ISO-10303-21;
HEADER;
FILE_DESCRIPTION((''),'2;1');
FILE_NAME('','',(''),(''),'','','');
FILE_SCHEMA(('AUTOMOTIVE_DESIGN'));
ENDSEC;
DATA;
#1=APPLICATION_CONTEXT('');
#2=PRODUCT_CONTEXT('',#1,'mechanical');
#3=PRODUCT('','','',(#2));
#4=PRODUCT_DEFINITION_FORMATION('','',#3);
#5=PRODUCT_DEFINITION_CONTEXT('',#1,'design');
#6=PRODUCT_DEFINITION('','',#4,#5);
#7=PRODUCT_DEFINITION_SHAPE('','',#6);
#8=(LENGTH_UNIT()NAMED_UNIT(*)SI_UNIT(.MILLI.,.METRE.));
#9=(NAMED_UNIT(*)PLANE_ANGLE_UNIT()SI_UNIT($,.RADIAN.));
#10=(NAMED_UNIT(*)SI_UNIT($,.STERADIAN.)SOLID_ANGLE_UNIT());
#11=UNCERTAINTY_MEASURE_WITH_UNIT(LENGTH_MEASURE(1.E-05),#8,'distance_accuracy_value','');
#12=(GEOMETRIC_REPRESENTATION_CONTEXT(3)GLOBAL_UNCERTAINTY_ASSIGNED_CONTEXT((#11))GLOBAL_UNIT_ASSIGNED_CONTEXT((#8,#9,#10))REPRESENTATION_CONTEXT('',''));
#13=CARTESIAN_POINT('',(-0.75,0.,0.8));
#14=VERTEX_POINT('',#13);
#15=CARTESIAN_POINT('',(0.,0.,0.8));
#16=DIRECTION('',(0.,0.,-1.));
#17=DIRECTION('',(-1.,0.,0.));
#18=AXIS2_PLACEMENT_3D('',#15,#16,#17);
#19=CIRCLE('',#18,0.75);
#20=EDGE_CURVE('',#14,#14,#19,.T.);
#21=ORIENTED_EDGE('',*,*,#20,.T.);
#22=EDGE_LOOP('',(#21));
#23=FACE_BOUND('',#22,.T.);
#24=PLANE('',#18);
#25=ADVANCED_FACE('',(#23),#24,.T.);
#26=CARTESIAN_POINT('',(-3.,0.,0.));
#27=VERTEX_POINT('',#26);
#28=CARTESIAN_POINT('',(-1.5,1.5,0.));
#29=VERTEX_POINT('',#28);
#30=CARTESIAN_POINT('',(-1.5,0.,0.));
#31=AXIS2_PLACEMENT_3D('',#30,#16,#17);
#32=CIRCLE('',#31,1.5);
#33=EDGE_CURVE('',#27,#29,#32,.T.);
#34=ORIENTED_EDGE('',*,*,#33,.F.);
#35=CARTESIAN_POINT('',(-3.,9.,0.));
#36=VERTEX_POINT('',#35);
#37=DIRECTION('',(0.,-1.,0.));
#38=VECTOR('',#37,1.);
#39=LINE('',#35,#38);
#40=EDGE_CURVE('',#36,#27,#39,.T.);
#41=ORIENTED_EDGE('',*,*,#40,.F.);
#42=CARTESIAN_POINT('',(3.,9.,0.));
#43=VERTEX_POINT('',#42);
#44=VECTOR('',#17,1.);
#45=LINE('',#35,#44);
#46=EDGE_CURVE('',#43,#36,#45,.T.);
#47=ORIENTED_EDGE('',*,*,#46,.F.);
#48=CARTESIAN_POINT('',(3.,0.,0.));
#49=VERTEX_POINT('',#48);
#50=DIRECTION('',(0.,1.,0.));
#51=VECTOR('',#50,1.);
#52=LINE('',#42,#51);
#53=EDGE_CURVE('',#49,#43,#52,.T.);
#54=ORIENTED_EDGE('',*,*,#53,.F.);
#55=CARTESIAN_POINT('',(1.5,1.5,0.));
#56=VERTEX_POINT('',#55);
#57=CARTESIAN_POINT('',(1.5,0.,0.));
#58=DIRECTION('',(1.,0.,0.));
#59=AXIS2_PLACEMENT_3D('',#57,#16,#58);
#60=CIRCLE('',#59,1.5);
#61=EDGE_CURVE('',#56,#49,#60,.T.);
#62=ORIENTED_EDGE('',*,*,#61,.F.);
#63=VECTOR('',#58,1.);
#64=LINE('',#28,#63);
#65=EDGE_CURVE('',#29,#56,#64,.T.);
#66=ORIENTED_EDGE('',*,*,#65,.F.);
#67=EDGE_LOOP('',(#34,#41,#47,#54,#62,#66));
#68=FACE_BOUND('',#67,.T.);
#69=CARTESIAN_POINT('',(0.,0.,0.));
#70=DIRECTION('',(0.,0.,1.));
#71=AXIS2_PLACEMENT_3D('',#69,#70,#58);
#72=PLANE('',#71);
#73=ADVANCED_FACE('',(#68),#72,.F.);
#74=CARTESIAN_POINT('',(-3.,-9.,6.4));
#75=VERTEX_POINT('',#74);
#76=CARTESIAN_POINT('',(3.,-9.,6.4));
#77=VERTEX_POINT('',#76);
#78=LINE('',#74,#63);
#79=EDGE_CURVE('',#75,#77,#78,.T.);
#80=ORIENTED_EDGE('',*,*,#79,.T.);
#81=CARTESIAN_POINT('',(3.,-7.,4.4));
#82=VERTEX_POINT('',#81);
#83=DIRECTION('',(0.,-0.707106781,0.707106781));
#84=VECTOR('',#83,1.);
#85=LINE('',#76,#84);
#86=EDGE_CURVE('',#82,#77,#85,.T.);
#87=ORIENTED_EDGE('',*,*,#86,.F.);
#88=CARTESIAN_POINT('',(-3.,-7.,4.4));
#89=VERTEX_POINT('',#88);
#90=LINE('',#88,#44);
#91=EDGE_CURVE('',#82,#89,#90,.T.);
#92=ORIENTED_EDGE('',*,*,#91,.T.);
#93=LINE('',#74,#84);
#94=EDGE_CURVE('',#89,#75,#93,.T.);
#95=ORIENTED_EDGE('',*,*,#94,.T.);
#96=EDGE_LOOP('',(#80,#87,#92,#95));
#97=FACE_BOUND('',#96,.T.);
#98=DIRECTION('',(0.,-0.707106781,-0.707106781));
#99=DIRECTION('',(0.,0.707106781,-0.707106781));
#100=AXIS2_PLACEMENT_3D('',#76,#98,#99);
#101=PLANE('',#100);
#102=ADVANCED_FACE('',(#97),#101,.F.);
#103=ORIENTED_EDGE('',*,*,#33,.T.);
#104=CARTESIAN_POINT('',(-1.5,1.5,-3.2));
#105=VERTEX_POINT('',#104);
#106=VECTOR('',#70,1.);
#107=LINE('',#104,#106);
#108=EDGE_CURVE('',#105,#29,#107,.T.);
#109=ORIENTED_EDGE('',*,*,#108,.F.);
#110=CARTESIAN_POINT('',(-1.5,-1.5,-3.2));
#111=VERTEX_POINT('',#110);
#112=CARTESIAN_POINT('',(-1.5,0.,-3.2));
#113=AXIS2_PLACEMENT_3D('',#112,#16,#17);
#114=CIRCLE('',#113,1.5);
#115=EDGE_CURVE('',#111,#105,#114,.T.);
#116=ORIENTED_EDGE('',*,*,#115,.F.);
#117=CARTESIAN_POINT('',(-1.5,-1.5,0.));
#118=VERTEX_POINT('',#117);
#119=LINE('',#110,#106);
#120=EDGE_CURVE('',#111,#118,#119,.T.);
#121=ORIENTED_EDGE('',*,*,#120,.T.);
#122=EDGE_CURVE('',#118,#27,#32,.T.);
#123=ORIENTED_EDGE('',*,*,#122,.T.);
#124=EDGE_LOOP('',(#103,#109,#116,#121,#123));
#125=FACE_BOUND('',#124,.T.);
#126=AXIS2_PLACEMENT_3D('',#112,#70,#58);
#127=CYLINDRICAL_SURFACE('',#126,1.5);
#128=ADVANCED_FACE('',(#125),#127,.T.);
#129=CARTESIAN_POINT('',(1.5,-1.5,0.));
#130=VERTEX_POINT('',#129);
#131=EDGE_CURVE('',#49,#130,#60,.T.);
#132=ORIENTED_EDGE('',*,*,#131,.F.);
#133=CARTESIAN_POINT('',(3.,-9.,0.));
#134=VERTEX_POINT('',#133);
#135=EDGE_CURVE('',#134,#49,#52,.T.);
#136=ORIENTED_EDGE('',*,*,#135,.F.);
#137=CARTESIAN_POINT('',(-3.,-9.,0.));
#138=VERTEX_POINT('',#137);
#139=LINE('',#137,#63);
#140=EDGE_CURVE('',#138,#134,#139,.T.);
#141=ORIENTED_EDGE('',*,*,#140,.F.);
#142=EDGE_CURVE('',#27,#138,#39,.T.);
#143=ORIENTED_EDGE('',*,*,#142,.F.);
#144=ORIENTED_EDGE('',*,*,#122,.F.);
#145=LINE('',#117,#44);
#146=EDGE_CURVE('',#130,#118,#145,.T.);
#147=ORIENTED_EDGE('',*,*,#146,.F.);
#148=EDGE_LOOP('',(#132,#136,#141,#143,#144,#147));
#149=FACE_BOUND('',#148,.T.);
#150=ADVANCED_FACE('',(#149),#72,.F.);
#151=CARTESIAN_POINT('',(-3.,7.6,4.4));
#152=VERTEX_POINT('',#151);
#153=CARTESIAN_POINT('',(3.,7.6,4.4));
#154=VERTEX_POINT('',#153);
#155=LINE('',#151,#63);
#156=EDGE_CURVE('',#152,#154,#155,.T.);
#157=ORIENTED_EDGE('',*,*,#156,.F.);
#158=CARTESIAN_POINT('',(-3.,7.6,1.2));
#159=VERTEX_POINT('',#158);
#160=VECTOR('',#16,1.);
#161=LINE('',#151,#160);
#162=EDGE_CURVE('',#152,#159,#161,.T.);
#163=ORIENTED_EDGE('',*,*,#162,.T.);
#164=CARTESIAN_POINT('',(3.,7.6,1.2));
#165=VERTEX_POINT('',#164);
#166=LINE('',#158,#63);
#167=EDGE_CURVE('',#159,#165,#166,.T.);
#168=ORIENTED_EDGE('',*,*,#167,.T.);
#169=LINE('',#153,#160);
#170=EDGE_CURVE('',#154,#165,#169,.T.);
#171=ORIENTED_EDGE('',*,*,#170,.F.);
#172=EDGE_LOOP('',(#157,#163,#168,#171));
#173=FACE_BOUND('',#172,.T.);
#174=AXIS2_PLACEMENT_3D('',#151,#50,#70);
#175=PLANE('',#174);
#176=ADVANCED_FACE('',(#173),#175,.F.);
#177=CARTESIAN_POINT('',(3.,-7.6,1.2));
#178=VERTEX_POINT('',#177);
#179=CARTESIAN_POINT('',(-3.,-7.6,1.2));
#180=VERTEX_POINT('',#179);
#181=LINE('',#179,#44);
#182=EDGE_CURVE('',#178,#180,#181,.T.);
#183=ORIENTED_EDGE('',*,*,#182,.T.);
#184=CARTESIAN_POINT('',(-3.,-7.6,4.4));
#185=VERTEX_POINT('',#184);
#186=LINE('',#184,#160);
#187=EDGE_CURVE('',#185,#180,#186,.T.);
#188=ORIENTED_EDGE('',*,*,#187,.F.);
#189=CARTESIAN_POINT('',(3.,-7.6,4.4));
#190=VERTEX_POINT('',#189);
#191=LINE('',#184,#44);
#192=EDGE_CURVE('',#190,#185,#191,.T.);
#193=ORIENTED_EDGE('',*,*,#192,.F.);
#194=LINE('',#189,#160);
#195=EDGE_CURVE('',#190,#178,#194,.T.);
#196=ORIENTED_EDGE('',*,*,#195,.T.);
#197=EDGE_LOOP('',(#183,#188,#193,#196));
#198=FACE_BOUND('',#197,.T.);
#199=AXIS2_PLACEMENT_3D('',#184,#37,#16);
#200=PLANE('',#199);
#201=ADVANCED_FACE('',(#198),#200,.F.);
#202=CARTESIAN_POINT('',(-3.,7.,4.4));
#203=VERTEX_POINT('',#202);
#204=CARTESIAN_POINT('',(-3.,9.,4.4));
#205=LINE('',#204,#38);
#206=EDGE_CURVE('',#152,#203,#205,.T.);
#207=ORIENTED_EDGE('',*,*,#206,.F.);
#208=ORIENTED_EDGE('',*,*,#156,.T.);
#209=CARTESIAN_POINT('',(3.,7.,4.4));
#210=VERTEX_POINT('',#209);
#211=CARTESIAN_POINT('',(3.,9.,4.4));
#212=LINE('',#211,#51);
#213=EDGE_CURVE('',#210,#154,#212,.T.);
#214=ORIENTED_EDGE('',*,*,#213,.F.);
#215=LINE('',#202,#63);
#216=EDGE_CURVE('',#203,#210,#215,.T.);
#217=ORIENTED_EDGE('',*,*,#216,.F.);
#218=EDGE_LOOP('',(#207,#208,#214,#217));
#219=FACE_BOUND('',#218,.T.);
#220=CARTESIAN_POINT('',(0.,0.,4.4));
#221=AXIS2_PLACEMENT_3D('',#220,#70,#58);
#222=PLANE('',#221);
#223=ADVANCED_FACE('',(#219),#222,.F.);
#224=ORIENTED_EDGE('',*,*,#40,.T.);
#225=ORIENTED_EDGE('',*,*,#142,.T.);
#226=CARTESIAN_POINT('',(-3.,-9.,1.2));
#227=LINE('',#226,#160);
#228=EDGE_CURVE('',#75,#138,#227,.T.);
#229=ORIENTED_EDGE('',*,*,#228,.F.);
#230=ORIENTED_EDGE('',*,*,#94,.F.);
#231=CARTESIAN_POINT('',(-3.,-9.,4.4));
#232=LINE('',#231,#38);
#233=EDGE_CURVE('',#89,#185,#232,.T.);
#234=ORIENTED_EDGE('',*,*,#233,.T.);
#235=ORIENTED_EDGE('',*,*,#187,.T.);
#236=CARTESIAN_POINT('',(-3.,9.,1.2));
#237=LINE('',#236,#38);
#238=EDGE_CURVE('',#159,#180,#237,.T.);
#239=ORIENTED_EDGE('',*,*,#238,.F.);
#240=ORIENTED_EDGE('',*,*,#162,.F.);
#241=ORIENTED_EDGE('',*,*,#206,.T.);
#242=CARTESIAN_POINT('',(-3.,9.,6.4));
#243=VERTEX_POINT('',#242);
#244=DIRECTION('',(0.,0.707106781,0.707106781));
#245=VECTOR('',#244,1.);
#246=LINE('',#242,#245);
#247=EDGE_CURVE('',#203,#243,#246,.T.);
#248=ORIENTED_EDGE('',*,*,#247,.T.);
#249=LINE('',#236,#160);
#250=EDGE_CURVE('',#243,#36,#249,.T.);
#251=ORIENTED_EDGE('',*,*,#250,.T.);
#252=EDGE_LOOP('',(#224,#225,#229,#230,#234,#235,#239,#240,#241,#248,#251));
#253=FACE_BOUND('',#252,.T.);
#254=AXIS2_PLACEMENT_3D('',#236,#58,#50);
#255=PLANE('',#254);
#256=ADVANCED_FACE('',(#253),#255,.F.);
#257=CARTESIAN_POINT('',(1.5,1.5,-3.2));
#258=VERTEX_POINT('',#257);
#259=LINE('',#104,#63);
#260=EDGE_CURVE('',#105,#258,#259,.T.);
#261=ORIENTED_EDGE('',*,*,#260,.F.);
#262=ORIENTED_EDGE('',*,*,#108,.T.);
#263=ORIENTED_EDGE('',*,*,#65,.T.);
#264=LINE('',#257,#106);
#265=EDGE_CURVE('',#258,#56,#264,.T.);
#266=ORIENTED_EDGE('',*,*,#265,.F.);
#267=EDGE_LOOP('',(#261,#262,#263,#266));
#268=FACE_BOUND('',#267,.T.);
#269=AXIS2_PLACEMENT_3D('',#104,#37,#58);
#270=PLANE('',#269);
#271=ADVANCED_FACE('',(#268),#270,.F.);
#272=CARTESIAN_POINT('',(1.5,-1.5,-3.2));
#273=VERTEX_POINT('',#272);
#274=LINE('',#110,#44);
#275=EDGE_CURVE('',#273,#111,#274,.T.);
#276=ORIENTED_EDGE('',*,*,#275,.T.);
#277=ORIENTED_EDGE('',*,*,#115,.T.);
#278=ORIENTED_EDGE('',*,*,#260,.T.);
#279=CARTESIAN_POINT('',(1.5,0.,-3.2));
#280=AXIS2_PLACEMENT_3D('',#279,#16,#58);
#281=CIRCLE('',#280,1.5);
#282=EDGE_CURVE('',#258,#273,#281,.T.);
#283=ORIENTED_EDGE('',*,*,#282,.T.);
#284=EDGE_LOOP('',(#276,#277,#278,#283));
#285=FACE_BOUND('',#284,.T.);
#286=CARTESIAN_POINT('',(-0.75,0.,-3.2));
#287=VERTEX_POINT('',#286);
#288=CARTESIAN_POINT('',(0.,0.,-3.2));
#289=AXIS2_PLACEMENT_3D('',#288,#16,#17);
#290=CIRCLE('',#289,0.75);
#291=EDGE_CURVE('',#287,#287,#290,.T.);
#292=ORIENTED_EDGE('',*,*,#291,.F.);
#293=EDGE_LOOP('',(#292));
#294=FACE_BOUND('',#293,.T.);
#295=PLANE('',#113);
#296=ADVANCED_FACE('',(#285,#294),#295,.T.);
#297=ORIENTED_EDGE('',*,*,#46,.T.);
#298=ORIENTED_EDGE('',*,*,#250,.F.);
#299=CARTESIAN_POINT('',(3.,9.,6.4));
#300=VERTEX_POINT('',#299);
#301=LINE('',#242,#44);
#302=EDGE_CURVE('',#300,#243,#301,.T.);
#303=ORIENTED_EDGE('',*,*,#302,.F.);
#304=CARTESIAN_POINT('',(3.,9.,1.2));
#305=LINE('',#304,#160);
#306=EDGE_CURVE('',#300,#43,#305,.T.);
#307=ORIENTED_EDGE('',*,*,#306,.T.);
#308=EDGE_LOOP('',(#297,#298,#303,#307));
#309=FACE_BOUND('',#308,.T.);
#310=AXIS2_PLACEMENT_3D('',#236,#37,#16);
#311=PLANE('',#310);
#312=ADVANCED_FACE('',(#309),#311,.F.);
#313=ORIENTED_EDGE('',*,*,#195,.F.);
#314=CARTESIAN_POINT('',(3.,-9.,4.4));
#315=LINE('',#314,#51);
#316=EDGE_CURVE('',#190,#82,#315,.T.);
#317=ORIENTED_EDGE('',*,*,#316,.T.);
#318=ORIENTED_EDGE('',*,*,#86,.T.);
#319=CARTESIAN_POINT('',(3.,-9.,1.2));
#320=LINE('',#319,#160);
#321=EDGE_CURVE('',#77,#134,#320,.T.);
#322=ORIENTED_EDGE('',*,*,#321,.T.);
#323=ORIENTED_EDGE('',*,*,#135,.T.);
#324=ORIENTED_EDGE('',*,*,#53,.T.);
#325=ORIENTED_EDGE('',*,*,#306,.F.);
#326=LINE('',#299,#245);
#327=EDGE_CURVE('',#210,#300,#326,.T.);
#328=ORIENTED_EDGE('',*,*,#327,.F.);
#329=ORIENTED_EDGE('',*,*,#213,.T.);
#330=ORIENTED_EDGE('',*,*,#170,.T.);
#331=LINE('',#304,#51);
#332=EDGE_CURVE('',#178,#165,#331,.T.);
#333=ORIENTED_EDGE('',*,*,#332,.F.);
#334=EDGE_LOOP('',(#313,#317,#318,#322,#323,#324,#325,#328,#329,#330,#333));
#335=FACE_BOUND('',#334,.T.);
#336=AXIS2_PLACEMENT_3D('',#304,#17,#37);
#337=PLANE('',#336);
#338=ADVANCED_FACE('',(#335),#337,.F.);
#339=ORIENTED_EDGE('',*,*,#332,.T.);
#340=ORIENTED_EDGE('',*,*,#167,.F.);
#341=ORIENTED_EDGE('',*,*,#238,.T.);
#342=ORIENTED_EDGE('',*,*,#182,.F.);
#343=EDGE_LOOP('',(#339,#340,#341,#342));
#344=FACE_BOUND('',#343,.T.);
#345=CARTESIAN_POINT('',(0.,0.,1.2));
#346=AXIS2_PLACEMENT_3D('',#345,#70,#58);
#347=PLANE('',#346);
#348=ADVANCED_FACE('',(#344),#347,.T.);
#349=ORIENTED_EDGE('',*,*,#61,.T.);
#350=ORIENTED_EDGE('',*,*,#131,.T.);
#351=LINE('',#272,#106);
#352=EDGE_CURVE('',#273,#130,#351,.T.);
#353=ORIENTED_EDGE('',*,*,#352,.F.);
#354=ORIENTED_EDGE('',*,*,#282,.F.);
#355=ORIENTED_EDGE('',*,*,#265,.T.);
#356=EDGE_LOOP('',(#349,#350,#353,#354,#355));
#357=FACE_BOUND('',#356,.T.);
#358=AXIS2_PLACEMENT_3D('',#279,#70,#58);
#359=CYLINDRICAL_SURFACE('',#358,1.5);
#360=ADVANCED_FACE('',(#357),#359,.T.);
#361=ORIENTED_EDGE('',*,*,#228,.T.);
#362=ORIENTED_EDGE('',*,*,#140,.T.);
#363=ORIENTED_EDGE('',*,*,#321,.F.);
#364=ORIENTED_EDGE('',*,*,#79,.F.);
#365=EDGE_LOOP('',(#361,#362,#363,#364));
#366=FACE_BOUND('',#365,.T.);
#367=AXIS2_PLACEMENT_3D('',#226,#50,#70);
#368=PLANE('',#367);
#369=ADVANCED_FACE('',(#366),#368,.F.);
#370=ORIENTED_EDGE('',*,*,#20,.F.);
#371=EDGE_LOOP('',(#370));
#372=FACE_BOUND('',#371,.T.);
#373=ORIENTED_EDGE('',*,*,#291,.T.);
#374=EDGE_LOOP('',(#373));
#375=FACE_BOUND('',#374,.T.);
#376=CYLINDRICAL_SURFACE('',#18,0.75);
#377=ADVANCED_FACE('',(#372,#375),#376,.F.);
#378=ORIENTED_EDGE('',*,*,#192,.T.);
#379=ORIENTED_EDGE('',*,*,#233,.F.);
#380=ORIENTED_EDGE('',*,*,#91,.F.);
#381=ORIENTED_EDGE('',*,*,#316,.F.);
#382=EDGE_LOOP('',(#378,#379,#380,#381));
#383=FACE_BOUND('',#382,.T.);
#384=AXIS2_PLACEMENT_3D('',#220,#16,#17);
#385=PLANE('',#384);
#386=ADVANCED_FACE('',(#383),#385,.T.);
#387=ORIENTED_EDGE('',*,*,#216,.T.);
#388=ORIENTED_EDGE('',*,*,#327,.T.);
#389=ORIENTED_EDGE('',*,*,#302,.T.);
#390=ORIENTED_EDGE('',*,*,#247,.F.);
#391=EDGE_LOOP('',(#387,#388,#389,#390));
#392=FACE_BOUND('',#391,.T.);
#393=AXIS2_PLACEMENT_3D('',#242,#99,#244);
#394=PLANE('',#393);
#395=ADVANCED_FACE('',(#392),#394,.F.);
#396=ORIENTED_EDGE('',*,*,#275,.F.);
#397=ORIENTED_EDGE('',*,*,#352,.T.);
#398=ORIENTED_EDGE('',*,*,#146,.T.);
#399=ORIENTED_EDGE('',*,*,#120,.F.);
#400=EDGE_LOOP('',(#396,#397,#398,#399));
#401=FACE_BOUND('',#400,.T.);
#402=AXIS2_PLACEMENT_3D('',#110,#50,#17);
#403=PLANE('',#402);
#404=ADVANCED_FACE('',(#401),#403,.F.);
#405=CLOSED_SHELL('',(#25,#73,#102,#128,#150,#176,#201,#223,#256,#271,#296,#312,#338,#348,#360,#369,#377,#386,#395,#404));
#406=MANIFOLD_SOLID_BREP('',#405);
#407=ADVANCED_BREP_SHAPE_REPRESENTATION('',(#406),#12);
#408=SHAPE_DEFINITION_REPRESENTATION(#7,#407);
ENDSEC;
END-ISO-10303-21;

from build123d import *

# Parameters (mm, degrees)
IZIM2_W                     = 6
IZIM2_H                     = 18
Y_KSEKLIK_EKSTR_ZYON1_DEPTH = 1.2
IZIM3_W                     = 6
IZIM3_H                     = 1.4
Y_KSEKLIK_EKSTR_ZYON4_DEPTH = 3.2
IZIM6_W                     = 6
IZIM6_H                     = 2
Y_KSEKLIK_EKSTR_ZYON5_DEPTH = 2
KES_EKSTR_ZYON2_DEPTH       = 6
IZIM8_W                     = 6
IZIM8_H                     = 2
Y_KSEKLIK_EKSTR_ZYON6_DEPTH = 2
KES_EKSTR_ZYON3_DEPTH       = 6
Y_KSEKLIK_EKSTR_ZYON8_DEPTH = 3.2
IZIM12_R                    = 0.75
KES_EKSTR_ZYON4_DEPTH       = 4


with BuildPart() as part:
    # Çizim2 → Yükseklik-Ekstrüzyon1 (new body)
    with BuildSketch(Plane.XY):
        Rectangle(IZIM2_W, IZIM2_H)
    extrude(amount=Y_KSEKLIK_EKSTR_ZYON1_DEPTH)

    # Çizim3 → Yükseklik-Ekstrüzyon4 (add)
    with BuildSketch(Plane.XY.offset(1.2)):
        with Locations((0, 8.3)):
            Rectangle(IZIM3_W, IZIM3_H)
        with Locations((0, -8.3)):
            Rectangle(IZIM3_W, IZIM3_H)
    extrude(amount=Y_KSEKLIK_EKSTR_ZYON4_DEPTH)

    # Çizim6 → Yükseklik-Ekstrüzyon5 (add)
    with BuildSketch(Plane.XY.offset(4.4)):
        with Locations((0, 8)):
            Rectangle(IZIM6_W, IZIM6_H)
    extrude(amount=Y_KSEKLIK_EKSTR_ZYON5_DEPTH)

    # Çizim7 → Kes-Ekstrüzyon2 (cut)
    with BuildSketch(Plane(origin=(3, 0, 0), x_dir=(0, 0, -1), z_dir=(1, 0, 0))):
        Polygon((-6.4, 9), (-4.4, 7), (-6.4, 7), align=None)
    extrude(amount=-KES_EKSTR_ZYON2_DEPTH, mode=Mode.SUBTRACT)

    # Çizim8 → Yükseklik-Ekstrüzyon6 (add)
    with BuildSketch(Plane.XY.offset(4.4)):
        with Locations((0, -8)):
            Rectangle(IZIM8_W, IZIM8_H)
    extrude(amount=Y_KSEKLIK_EKSTR_ZYON6_DEPTH)

    # Çizim9 → Kes-Ekstrüzyon3 (cut)
    with BuildSketch(Plane.ZY.offset(3)):
        Polygon((6.4, -9), (4.4, -7), (6.4, -7), align=None)
    extrude(amount=-KES_EKSTR_ZYON3_DEPTH, mode=Mode.SUBTRACT)

    # Çizim10 → Yükseklik-Ekstrüzyon8 (add)
    with BuildSketch(Plane(origin=(0, 0, 0), x_dir=(-1, 0, 0), z_dir=(0, 0, -1))):
        with BuildLine():
            Line((1.5, 1.5), (-1.5, 1.5))
            ThreePointArc((-1.5, 1.5), (-3, 0), (-1.5, -1.5))
            Line((-1.5, -1.5), (1.5, -1.5))
            ThreePointArc((1.5, -1.5), (3, 0), (1.5, 1.5))
        make_face()
    extrude(amount=Y_KSEKLIK_EKSTR_ZYON8_DEPTH)

    # Çizim12 → Kes-Ekstrüzyon4 (cut)
    with BuildSketch(Plane(origin=(0, 0, -3.2), x_dir=(-1, 0, 0), z_dir=(0, 0, -1))):
        Circle(IZIM12_R)
    extrude(amount=-KES_EKSTR_ZYON4_DEPTH, mode=Mode.SUBTRACT)


solid = part.part
